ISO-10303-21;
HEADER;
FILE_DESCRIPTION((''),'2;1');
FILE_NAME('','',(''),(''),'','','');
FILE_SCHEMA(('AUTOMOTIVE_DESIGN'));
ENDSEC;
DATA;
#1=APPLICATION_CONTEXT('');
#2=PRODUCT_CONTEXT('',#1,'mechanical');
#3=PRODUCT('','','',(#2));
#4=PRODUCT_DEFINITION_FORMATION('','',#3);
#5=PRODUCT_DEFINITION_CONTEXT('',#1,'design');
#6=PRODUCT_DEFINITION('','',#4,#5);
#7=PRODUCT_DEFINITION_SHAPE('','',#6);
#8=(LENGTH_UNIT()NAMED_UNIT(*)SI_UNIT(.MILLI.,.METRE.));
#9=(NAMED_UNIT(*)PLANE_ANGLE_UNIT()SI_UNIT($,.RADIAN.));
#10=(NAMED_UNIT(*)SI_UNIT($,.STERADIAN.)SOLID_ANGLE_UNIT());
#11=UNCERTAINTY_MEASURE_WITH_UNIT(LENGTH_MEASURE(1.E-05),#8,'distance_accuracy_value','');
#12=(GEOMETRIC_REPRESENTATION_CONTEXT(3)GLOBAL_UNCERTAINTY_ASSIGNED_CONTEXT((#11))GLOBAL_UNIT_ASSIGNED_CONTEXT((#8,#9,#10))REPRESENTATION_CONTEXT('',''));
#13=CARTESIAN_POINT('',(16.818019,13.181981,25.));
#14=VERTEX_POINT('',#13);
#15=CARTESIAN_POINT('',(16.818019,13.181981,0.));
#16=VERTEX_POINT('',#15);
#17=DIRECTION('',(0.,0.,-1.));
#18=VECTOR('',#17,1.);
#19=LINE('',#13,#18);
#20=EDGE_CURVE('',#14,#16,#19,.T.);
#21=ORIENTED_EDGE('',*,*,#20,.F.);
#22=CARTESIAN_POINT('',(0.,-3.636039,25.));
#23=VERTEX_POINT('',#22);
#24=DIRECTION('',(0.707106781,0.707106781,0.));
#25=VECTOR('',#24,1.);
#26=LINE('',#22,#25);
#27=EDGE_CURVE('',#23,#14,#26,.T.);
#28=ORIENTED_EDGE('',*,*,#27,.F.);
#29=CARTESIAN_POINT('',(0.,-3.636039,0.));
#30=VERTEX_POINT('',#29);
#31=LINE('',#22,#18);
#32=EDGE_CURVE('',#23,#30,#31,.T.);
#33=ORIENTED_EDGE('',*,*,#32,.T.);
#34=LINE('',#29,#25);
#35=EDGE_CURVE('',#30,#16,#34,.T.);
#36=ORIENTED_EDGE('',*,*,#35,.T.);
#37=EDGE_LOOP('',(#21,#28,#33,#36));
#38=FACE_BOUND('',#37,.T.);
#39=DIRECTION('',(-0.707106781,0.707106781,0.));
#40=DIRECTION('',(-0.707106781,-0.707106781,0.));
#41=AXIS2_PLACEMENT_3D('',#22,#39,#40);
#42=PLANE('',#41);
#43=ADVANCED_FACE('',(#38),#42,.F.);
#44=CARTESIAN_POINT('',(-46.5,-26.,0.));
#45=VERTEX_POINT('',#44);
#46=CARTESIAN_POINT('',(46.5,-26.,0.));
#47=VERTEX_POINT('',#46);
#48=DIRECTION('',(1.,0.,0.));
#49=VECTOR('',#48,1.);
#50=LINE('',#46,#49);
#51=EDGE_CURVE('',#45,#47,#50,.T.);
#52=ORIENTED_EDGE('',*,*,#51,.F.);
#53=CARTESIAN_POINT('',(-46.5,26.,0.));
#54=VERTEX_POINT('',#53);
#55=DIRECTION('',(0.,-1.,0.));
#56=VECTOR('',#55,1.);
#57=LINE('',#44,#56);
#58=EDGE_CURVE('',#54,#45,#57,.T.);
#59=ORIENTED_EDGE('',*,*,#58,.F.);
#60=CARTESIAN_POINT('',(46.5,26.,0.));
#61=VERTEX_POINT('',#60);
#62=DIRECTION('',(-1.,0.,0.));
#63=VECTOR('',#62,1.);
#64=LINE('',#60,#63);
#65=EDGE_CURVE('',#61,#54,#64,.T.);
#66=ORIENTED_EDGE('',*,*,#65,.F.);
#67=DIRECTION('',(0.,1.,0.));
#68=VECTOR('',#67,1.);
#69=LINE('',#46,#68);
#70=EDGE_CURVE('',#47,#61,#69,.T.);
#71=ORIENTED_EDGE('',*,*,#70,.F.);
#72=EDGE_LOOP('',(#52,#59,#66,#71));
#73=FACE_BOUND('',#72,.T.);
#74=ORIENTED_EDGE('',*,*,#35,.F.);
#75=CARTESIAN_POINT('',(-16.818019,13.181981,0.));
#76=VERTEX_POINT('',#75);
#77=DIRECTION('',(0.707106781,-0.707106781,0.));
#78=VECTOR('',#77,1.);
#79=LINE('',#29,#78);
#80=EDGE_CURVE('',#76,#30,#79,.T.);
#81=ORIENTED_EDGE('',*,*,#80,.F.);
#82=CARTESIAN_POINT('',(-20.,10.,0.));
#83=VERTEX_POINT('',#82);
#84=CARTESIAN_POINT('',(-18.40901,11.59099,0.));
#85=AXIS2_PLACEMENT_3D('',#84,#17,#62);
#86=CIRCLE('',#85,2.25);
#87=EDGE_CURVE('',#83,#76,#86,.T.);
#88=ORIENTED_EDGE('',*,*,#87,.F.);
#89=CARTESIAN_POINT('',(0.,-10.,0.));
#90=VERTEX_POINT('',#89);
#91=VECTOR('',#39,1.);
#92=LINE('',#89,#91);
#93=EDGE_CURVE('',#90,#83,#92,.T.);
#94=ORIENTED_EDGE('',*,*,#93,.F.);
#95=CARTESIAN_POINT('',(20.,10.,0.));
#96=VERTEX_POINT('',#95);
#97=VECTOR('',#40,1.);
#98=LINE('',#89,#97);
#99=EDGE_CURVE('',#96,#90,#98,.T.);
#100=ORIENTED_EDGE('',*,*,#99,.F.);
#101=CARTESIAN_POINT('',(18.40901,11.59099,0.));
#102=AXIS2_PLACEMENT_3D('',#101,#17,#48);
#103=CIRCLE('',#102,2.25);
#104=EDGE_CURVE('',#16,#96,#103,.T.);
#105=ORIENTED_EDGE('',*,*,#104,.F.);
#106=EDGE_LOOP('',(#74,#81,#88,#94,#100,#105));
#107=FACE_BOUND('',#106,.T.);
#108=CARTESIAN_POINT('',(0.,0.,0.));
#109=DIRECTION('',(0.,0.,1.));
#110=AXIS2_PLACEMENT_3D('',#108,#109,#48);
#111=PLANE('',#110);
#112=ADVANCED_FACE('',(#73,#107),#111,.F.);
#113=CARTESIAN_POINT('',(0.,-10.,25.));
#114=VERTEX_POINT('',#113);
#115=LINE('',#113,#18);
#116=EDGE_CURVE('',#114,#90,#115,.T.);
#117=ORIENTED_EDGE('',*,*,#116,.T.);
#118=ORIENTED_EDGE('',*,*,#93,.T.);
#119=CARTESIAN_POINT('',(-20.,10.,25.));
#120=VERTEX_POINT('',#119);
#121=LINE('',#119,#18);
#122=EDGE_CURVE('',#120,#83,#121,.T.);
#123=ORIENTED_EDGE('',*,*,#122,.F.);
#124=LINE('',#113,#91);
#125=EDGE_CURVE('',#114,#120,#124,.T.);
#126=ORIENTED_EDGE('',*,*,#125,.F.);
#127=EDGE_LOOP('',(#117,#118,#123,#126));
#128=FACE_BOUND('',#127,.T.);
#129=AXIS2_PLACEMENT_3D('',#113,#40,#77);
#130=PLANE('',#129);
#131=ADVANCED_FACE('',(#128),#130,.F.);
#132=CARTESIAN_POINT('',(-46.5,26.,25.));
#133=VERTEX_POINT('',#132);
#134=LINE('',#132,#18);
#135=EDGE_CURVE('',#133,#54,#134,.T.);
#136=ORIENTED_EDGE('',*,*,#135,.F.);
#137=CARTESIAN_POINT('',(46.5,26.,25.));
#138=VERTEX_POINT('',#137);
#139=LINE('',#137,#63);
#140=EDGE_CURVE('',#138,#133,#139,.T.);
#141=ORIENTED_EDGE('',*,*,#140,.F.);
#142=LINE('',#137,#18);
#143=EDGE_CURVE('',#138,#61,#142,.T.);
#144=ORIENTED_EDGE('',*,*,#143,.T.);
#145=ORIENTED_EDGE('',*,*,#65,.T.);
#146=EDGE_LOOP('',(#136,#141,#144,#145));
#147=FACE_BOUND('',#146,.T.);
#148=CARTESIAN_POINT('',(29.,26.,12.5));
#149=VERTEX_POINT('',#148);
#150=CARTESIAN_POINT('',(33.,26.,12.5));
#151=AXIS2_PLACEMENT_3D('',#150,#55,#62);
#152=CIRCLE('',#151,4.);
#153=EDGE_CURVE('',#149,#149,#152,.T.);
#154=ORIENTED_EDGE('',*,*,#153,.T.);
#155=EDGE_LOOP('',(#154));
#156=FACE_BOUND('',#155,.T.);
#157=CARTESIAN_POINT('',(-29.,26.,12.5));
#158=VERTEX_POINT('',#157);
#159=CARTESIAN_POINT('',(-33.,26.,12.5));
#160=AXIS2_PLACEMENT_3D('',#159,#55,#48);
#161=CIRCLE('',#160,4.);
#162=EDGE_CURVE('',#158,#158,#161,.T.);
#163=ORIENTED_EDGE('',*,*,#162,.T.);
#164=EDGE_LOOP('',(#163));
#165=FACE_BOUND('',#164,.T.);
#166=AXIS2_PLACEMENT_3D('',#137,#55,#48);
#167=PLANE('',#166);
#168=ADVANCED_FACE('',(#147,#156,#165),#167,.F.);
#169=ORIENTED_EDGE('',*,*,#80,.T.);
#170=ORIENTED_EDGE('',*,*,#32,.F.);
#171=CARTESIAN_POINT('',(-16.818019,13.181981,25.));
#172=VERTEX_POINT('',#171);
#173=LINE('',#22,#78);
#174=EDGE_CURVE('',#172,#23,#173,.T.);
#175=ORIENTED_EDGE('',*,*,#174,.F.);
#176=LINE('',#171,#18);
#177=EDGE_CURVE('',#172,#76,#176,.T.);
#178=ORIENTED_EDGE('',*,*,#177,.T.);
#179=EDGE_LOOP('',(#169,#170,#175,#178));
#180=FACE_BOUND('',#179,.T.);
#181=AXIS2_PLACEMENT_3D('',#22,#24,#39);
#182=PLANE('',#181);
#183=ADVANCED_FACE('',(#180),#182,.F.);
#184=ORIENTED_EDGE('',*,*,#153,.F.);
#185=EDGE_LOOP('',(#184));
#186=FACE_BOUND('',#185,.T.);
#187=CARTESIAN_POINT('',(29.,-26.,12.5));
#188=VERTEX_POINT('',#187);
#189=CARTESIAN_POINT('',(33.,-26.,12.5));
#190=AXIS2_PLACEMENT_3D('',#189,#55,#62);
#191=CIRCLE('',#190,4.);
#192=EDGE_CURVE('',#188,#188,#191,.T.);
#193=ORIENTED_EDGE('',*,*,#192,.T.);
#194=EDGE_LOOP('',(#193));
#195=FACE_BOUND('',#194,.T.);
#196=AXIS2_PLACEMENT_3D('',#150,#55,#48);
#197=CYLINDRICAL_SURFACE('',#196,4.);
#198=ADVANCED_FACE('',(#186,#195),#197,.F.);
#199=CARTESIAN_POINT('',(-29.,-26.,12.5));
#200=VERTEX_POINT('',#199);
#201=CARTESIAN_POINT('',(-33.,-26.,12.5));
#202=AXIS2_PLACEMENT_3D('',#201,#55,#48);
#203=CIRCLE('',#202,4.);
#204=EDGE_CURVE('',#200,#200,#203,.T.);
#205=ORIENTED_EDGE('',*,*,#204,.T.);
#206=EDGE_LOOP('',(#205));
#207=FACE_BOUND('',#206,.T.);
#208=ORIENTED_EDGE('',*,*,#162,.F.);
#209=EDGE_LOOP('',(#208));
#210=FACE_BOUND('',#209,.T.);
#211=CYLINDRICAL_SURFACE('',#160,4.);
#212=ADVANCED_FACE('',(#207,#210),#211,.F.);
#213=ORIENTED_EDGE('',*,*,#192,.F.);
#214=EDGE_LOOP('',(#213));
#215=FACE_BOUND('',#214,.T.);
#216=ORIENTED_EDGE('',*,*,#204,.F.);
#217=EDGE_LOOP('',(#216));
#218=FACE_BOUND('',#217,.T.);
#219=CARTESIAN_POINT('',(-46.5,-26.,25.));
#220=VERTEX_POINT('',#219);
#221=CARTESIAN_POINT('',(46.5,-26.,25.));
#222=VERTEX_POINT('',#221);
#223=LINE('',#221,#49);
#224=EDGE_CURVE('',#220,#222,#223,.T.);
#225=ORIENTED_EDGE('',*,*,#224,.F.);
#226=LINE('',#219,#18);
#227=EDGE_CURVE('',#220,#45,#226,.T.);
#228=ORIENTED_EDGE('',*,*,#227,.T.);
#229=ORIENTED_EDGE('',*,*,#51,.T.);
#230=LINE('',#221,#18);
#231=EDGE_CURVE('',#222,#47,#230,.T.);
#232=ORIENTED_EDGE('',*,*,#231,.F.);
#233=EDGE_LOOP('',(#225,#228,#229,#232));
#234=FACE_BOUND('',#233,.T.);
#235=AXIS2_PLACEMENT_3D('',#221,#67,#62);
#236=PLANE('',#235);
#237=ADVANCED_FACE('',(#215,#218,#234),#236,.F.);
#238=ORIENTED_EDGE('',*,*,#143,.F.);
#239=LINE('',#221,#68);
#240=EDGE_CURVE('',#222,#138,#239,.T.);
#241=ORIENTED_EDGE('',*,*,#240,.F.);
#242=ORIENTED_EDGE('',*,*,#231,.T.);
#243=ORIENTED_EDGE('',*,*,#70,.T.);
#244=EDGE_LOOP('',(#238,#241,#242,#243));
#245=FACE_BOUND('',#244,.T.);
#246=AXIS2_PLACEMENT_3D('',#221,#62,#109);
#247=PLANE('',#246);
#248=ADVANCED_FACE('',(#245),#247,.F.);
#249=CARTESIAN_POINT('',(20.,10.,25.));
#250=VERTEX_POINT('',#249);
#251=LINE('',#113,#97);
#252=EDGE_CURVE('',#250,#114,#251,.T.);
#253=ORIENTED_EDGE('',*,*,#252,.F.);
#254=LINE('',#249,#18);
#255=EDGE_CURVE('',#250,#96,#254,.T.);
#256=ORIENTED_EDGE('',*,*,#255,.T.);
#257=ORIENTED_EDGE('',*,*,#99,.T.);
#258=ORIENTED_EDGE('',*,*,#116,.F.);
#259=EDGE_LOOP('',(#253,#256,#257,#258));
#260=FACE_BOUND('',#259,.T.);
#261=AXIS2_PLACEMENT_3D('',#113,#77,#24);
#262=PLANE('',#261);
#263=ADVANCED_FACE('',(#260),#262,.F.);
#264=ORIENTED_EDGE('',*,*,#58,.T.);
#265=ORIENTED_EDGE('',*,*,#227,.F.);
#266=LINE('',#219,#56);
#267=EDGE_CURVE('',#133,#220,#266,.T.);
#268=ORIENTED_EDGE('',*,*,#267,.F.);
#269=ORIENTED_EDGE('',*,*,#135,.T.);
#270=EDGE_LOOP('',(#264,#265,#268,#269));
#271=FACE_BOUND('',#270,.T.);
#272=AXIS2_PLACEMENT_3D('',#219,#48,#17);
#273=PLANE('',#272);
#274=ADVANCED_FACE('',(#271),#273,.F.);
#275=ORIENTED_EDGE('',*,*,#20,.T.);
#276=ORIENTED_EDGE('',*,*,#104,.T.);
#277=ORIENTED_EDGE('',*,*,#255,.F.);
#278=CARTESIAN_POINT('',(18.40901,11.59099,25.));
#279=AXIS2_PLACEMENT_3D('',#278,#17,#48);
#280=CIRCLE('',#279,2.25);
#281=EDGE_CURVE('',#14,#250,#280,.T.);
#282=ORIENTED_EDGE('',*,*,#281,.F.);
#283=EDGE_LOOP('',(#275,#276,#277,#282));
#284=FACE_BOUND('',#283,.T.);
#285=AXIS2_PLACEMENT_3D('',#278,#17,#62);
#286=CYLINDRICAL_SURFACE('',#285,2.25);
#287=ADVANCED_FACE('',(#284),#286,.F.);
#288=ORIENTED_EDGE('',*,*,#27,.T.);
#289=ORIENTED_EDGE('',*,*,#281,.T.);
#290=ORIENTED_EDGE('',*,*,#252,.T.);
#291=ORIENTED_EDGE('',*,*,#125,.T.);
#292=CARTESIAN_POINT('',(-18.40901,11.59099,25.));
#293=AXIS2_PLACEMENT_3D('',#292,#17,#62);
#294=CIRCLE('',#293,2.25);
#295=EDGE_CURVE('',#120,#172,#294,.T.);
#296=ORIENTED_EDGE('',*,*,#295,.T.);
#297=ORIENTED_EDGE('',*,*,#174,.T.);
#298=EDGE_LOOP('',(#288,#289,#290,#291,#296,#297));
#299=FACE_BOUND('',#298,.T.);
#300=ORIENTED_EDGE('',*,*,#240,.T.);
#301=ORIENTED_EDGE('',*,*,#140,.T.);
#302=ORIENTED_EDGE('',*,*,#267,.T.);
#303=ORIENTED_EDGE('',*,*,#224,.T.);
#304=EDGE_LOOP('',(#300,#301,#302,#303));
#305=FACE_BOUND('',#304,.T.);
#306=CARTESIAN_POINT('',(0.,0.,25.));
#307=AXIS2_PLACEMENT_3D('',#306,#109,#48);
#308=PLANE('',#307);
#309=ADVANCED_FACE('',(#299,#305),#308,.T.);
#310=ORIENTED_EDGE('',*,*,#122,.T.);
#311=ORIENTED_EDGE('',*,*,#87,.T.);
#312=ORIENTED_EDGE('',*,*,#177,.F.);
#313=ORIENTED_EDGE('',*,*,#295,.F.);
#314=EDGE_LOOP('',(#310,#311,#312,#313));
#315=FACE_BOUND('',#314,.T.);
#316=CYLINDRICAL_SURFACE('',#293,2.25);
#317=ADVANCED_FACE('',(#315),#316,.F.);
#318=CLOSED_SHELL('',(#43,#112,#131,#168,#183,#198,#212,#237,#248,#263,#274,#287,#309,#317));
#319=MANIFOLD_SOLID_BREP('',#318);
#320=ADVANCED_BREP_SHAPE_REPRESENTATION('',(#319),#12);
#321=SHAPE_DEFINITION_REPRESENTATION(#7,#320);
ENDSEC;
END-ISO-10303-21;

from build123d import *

# Parameters (mm, degrees)
SKETCH1_W           = 93
SKETCH1_H           = 52
BOSS_EXTRUDE1_DEPTH = 25
CUT_EXTRUDE1_DEPTH  = 26
SKETCH3_R           = 4
CUT_EXTRUDE2_DEPTH  = 53


with BuildPart() as part:
    # Sketch1 → Boss-Extrude1 (new body)
    with BuildSketch(Plane.XY):
        Rectangle(SKETCH1_W, SKETCH1_H)
    extrude(amount=BOSS_EXTRUDE1_DEPTH)

    # Sketch2 → Cut-Extrude1 (cut, through all)
    with BuildSketch(Plane(origin=(0, 0, 0), x_dir=(-1, 0, 0), z_dir=(0, 0, -1))):
        with BuildLine():
            Line((0, -10), (20, 10))
            ThreePointArc((20, 10), (20, 13.181980515), (16.818019485, 13.181980515))
            Line((16.818019485, 13.181980515), (0, -3.636038969))
            Line((0, -3.636038969), (-16.818019485, 13.181980515))
            ThreePointArc((-16.818019485, 13.181980515), (-20, 13.181980515), (-20, 10))
            Line((-20, 10), (0, -10))
        make_face()
    extrude(amount=-CUT_EXTRUDE1_DEPTH, mode=Mode.SUBTRACT)

    # Sketch3 → Cut-Extrude2 (cut, through all)
    with BuildSketch(Plane.XZ.offset(26)):
        with Locations((-33, 12.5)):
            Circle(SKETCH3_R)
        with Locations((33, 12.5)):
            Circle(SKETCH3_R)
    extrude(amount=-CUT_EXTRUDE2_DEPTH, mode=Mode.SUBTRACT)


solid = part.part
